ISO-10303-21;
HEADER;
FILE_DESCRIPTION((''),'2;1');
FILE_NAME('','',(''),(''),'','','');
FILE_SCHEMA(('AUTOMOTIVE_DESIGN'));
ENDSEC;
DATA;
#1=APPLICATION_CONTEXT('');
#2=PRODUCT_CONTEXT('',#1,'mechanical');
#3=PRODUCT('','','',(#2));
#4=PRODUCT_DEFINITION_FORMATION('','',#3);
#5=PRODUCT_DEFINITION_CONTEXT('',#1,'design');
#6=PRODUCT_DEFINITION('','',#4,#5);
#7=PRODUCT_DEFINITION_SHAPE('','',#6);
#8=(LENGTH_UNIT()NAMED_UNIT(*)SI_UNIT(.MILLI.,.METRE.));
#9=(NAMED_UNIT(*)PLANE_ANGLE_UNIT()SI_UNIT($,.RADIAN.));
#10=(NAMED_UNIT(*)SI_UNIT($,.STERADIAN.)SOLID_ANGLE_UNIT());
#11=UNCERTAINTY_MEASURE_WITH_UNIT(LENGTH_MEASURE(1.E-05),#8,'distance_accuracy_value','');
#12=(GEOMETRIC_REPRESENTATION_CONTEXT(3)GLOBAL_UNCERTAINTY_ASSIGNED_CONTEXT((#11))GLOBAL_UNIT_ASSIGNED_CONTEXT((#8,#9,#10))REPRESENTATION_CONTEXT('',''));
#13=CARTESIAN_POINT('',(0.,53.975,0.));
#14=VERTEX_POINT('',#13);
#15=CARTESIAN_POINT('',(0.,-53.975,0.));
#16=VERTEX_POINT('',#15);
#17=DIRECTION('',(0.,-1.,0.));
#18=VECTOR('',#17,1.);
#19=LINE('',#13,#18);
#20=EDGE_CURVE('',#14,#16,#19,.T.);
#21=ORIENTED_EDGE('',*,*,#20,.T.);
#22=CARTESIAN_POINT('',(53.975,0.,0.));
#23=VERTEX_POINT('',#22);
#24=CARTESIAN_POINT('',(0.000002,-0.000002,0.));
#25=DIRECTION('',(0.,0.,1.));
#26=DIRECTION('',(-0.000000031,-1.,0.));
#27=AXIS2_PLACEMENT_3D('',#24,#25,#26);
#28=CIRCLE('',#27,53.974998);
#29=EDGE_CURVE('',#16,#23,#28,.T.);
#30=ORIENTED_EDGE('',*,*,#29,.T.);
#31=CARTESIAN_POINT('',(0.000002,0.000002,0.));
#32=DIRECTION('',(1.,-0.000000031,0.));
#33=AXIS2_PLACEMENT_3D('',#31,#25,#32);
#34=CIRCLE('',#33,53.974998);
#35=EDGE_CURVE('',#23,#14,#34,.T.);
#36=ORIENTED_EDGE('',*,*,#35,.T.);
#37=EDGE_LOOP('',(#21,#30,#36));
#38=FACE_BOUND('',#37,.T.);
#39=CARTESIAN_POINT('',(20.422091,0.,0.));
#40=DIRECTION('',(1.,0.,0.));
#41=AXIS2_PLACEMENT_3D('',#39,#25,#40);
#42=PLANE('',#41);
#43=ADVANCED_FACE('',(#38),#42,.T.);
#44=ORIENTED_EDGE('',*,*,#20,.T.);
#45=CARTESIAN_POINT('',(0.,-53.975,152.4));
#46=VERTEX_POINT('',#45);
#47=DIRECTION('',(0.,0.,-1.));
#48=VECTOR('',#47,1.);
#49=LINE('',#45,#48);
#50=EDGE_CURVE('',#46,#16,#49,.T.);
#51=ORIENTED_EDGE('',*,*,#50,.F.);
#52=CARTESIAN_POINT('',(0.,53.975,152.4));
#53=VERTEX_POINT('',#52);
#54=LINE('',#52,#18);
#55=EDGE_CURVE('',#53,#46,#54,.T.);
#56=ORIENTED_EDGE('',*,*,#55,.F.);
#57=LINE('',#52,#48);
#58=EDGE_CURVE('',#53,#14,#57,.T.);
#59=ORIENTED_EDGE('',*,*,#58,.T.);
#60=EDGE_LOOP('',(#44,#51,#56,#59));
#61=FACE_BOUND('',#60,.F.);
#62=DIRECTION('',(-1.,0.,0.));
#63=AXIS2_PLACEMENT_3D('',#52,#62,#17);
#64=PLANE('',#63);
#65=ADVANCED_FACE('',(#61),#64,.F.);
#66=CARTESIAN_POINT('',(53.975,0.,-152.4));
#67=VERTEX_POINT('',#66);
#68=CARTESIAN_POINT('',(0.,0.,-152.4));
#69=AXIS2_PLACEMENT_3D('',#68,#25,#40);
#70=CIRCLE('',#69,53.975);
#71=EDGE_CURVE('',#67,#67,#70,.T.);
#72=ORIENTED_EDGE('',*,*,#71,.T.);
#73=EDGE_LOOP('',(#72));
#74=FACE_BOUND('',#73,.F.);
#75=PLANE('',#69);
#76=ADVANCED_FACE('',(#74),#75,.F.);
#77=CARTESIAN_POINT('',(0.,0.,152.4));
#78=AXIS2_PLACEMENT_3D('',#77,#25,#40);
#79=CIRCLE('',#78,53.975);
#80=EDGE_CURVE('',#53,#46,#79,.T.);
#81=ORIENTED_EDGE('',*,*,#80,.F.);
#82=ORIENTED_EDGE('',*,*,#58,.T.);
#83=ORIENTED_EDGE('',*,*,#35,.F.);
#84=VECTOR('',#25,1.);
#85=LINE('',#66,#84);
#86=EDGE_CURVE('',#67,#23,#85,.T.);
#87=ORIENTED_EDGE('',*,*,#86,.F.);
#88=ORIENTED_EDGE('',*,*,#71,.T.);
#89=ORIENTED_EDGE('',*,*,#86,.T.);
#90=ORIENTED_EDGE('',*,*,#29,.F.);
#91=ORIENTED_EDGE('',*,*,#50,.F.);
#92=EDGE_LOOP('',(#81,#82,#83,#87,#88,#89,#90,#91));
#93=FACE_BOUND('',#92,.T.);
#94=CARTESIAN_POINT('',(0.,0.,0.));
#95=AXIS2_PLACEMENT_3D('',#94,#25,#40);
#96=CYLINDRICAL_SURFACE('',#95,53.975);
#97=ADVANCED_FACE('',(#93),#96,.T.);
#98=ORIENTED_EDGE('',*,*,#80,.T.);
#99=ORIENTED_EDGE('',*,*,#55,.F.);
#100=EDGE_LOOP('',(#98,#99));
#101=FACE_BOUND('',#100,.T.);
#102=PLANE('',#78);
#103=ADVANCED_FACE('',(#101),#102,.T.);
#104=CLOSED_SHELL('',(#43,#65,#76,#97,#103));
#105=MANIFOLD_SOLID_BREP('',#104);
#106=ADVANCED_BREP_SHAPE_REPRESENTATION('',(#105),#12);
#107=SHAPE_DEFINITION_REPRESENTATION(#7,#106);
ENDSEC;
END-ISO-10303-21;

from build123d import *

# Parameters (mm, degrees)
F0_R     = 53.975
F1_DEPTH = 152.4
F3_DEPTH = 152.4


with BuildPart() as f1:
    # F0 (on Top) → F1 (new body, symmetric)
    with BuildSketch(Plane.XY):
        Circle(F0_R)
    extrude(amount=F1_DEPTH, both=True)

    # F2 (on face) → F3 (cut)
    with BuildSketch(Plane.XY.offset(152.4)):
        with BuildLine():
            Line((0, 53.975), (0, -53.975))
            ThreePointArc((0, -53.975), (38.166089, -38.166089), (53.975, 0))
            ThreePointArc((53.975, 0), (38.166089, 38.166089), (0, 53.975))
        make_face()
    extrude(amount=-F3_DEPTH, mode=Mode.SUBTRACT)


solid = f1.part
